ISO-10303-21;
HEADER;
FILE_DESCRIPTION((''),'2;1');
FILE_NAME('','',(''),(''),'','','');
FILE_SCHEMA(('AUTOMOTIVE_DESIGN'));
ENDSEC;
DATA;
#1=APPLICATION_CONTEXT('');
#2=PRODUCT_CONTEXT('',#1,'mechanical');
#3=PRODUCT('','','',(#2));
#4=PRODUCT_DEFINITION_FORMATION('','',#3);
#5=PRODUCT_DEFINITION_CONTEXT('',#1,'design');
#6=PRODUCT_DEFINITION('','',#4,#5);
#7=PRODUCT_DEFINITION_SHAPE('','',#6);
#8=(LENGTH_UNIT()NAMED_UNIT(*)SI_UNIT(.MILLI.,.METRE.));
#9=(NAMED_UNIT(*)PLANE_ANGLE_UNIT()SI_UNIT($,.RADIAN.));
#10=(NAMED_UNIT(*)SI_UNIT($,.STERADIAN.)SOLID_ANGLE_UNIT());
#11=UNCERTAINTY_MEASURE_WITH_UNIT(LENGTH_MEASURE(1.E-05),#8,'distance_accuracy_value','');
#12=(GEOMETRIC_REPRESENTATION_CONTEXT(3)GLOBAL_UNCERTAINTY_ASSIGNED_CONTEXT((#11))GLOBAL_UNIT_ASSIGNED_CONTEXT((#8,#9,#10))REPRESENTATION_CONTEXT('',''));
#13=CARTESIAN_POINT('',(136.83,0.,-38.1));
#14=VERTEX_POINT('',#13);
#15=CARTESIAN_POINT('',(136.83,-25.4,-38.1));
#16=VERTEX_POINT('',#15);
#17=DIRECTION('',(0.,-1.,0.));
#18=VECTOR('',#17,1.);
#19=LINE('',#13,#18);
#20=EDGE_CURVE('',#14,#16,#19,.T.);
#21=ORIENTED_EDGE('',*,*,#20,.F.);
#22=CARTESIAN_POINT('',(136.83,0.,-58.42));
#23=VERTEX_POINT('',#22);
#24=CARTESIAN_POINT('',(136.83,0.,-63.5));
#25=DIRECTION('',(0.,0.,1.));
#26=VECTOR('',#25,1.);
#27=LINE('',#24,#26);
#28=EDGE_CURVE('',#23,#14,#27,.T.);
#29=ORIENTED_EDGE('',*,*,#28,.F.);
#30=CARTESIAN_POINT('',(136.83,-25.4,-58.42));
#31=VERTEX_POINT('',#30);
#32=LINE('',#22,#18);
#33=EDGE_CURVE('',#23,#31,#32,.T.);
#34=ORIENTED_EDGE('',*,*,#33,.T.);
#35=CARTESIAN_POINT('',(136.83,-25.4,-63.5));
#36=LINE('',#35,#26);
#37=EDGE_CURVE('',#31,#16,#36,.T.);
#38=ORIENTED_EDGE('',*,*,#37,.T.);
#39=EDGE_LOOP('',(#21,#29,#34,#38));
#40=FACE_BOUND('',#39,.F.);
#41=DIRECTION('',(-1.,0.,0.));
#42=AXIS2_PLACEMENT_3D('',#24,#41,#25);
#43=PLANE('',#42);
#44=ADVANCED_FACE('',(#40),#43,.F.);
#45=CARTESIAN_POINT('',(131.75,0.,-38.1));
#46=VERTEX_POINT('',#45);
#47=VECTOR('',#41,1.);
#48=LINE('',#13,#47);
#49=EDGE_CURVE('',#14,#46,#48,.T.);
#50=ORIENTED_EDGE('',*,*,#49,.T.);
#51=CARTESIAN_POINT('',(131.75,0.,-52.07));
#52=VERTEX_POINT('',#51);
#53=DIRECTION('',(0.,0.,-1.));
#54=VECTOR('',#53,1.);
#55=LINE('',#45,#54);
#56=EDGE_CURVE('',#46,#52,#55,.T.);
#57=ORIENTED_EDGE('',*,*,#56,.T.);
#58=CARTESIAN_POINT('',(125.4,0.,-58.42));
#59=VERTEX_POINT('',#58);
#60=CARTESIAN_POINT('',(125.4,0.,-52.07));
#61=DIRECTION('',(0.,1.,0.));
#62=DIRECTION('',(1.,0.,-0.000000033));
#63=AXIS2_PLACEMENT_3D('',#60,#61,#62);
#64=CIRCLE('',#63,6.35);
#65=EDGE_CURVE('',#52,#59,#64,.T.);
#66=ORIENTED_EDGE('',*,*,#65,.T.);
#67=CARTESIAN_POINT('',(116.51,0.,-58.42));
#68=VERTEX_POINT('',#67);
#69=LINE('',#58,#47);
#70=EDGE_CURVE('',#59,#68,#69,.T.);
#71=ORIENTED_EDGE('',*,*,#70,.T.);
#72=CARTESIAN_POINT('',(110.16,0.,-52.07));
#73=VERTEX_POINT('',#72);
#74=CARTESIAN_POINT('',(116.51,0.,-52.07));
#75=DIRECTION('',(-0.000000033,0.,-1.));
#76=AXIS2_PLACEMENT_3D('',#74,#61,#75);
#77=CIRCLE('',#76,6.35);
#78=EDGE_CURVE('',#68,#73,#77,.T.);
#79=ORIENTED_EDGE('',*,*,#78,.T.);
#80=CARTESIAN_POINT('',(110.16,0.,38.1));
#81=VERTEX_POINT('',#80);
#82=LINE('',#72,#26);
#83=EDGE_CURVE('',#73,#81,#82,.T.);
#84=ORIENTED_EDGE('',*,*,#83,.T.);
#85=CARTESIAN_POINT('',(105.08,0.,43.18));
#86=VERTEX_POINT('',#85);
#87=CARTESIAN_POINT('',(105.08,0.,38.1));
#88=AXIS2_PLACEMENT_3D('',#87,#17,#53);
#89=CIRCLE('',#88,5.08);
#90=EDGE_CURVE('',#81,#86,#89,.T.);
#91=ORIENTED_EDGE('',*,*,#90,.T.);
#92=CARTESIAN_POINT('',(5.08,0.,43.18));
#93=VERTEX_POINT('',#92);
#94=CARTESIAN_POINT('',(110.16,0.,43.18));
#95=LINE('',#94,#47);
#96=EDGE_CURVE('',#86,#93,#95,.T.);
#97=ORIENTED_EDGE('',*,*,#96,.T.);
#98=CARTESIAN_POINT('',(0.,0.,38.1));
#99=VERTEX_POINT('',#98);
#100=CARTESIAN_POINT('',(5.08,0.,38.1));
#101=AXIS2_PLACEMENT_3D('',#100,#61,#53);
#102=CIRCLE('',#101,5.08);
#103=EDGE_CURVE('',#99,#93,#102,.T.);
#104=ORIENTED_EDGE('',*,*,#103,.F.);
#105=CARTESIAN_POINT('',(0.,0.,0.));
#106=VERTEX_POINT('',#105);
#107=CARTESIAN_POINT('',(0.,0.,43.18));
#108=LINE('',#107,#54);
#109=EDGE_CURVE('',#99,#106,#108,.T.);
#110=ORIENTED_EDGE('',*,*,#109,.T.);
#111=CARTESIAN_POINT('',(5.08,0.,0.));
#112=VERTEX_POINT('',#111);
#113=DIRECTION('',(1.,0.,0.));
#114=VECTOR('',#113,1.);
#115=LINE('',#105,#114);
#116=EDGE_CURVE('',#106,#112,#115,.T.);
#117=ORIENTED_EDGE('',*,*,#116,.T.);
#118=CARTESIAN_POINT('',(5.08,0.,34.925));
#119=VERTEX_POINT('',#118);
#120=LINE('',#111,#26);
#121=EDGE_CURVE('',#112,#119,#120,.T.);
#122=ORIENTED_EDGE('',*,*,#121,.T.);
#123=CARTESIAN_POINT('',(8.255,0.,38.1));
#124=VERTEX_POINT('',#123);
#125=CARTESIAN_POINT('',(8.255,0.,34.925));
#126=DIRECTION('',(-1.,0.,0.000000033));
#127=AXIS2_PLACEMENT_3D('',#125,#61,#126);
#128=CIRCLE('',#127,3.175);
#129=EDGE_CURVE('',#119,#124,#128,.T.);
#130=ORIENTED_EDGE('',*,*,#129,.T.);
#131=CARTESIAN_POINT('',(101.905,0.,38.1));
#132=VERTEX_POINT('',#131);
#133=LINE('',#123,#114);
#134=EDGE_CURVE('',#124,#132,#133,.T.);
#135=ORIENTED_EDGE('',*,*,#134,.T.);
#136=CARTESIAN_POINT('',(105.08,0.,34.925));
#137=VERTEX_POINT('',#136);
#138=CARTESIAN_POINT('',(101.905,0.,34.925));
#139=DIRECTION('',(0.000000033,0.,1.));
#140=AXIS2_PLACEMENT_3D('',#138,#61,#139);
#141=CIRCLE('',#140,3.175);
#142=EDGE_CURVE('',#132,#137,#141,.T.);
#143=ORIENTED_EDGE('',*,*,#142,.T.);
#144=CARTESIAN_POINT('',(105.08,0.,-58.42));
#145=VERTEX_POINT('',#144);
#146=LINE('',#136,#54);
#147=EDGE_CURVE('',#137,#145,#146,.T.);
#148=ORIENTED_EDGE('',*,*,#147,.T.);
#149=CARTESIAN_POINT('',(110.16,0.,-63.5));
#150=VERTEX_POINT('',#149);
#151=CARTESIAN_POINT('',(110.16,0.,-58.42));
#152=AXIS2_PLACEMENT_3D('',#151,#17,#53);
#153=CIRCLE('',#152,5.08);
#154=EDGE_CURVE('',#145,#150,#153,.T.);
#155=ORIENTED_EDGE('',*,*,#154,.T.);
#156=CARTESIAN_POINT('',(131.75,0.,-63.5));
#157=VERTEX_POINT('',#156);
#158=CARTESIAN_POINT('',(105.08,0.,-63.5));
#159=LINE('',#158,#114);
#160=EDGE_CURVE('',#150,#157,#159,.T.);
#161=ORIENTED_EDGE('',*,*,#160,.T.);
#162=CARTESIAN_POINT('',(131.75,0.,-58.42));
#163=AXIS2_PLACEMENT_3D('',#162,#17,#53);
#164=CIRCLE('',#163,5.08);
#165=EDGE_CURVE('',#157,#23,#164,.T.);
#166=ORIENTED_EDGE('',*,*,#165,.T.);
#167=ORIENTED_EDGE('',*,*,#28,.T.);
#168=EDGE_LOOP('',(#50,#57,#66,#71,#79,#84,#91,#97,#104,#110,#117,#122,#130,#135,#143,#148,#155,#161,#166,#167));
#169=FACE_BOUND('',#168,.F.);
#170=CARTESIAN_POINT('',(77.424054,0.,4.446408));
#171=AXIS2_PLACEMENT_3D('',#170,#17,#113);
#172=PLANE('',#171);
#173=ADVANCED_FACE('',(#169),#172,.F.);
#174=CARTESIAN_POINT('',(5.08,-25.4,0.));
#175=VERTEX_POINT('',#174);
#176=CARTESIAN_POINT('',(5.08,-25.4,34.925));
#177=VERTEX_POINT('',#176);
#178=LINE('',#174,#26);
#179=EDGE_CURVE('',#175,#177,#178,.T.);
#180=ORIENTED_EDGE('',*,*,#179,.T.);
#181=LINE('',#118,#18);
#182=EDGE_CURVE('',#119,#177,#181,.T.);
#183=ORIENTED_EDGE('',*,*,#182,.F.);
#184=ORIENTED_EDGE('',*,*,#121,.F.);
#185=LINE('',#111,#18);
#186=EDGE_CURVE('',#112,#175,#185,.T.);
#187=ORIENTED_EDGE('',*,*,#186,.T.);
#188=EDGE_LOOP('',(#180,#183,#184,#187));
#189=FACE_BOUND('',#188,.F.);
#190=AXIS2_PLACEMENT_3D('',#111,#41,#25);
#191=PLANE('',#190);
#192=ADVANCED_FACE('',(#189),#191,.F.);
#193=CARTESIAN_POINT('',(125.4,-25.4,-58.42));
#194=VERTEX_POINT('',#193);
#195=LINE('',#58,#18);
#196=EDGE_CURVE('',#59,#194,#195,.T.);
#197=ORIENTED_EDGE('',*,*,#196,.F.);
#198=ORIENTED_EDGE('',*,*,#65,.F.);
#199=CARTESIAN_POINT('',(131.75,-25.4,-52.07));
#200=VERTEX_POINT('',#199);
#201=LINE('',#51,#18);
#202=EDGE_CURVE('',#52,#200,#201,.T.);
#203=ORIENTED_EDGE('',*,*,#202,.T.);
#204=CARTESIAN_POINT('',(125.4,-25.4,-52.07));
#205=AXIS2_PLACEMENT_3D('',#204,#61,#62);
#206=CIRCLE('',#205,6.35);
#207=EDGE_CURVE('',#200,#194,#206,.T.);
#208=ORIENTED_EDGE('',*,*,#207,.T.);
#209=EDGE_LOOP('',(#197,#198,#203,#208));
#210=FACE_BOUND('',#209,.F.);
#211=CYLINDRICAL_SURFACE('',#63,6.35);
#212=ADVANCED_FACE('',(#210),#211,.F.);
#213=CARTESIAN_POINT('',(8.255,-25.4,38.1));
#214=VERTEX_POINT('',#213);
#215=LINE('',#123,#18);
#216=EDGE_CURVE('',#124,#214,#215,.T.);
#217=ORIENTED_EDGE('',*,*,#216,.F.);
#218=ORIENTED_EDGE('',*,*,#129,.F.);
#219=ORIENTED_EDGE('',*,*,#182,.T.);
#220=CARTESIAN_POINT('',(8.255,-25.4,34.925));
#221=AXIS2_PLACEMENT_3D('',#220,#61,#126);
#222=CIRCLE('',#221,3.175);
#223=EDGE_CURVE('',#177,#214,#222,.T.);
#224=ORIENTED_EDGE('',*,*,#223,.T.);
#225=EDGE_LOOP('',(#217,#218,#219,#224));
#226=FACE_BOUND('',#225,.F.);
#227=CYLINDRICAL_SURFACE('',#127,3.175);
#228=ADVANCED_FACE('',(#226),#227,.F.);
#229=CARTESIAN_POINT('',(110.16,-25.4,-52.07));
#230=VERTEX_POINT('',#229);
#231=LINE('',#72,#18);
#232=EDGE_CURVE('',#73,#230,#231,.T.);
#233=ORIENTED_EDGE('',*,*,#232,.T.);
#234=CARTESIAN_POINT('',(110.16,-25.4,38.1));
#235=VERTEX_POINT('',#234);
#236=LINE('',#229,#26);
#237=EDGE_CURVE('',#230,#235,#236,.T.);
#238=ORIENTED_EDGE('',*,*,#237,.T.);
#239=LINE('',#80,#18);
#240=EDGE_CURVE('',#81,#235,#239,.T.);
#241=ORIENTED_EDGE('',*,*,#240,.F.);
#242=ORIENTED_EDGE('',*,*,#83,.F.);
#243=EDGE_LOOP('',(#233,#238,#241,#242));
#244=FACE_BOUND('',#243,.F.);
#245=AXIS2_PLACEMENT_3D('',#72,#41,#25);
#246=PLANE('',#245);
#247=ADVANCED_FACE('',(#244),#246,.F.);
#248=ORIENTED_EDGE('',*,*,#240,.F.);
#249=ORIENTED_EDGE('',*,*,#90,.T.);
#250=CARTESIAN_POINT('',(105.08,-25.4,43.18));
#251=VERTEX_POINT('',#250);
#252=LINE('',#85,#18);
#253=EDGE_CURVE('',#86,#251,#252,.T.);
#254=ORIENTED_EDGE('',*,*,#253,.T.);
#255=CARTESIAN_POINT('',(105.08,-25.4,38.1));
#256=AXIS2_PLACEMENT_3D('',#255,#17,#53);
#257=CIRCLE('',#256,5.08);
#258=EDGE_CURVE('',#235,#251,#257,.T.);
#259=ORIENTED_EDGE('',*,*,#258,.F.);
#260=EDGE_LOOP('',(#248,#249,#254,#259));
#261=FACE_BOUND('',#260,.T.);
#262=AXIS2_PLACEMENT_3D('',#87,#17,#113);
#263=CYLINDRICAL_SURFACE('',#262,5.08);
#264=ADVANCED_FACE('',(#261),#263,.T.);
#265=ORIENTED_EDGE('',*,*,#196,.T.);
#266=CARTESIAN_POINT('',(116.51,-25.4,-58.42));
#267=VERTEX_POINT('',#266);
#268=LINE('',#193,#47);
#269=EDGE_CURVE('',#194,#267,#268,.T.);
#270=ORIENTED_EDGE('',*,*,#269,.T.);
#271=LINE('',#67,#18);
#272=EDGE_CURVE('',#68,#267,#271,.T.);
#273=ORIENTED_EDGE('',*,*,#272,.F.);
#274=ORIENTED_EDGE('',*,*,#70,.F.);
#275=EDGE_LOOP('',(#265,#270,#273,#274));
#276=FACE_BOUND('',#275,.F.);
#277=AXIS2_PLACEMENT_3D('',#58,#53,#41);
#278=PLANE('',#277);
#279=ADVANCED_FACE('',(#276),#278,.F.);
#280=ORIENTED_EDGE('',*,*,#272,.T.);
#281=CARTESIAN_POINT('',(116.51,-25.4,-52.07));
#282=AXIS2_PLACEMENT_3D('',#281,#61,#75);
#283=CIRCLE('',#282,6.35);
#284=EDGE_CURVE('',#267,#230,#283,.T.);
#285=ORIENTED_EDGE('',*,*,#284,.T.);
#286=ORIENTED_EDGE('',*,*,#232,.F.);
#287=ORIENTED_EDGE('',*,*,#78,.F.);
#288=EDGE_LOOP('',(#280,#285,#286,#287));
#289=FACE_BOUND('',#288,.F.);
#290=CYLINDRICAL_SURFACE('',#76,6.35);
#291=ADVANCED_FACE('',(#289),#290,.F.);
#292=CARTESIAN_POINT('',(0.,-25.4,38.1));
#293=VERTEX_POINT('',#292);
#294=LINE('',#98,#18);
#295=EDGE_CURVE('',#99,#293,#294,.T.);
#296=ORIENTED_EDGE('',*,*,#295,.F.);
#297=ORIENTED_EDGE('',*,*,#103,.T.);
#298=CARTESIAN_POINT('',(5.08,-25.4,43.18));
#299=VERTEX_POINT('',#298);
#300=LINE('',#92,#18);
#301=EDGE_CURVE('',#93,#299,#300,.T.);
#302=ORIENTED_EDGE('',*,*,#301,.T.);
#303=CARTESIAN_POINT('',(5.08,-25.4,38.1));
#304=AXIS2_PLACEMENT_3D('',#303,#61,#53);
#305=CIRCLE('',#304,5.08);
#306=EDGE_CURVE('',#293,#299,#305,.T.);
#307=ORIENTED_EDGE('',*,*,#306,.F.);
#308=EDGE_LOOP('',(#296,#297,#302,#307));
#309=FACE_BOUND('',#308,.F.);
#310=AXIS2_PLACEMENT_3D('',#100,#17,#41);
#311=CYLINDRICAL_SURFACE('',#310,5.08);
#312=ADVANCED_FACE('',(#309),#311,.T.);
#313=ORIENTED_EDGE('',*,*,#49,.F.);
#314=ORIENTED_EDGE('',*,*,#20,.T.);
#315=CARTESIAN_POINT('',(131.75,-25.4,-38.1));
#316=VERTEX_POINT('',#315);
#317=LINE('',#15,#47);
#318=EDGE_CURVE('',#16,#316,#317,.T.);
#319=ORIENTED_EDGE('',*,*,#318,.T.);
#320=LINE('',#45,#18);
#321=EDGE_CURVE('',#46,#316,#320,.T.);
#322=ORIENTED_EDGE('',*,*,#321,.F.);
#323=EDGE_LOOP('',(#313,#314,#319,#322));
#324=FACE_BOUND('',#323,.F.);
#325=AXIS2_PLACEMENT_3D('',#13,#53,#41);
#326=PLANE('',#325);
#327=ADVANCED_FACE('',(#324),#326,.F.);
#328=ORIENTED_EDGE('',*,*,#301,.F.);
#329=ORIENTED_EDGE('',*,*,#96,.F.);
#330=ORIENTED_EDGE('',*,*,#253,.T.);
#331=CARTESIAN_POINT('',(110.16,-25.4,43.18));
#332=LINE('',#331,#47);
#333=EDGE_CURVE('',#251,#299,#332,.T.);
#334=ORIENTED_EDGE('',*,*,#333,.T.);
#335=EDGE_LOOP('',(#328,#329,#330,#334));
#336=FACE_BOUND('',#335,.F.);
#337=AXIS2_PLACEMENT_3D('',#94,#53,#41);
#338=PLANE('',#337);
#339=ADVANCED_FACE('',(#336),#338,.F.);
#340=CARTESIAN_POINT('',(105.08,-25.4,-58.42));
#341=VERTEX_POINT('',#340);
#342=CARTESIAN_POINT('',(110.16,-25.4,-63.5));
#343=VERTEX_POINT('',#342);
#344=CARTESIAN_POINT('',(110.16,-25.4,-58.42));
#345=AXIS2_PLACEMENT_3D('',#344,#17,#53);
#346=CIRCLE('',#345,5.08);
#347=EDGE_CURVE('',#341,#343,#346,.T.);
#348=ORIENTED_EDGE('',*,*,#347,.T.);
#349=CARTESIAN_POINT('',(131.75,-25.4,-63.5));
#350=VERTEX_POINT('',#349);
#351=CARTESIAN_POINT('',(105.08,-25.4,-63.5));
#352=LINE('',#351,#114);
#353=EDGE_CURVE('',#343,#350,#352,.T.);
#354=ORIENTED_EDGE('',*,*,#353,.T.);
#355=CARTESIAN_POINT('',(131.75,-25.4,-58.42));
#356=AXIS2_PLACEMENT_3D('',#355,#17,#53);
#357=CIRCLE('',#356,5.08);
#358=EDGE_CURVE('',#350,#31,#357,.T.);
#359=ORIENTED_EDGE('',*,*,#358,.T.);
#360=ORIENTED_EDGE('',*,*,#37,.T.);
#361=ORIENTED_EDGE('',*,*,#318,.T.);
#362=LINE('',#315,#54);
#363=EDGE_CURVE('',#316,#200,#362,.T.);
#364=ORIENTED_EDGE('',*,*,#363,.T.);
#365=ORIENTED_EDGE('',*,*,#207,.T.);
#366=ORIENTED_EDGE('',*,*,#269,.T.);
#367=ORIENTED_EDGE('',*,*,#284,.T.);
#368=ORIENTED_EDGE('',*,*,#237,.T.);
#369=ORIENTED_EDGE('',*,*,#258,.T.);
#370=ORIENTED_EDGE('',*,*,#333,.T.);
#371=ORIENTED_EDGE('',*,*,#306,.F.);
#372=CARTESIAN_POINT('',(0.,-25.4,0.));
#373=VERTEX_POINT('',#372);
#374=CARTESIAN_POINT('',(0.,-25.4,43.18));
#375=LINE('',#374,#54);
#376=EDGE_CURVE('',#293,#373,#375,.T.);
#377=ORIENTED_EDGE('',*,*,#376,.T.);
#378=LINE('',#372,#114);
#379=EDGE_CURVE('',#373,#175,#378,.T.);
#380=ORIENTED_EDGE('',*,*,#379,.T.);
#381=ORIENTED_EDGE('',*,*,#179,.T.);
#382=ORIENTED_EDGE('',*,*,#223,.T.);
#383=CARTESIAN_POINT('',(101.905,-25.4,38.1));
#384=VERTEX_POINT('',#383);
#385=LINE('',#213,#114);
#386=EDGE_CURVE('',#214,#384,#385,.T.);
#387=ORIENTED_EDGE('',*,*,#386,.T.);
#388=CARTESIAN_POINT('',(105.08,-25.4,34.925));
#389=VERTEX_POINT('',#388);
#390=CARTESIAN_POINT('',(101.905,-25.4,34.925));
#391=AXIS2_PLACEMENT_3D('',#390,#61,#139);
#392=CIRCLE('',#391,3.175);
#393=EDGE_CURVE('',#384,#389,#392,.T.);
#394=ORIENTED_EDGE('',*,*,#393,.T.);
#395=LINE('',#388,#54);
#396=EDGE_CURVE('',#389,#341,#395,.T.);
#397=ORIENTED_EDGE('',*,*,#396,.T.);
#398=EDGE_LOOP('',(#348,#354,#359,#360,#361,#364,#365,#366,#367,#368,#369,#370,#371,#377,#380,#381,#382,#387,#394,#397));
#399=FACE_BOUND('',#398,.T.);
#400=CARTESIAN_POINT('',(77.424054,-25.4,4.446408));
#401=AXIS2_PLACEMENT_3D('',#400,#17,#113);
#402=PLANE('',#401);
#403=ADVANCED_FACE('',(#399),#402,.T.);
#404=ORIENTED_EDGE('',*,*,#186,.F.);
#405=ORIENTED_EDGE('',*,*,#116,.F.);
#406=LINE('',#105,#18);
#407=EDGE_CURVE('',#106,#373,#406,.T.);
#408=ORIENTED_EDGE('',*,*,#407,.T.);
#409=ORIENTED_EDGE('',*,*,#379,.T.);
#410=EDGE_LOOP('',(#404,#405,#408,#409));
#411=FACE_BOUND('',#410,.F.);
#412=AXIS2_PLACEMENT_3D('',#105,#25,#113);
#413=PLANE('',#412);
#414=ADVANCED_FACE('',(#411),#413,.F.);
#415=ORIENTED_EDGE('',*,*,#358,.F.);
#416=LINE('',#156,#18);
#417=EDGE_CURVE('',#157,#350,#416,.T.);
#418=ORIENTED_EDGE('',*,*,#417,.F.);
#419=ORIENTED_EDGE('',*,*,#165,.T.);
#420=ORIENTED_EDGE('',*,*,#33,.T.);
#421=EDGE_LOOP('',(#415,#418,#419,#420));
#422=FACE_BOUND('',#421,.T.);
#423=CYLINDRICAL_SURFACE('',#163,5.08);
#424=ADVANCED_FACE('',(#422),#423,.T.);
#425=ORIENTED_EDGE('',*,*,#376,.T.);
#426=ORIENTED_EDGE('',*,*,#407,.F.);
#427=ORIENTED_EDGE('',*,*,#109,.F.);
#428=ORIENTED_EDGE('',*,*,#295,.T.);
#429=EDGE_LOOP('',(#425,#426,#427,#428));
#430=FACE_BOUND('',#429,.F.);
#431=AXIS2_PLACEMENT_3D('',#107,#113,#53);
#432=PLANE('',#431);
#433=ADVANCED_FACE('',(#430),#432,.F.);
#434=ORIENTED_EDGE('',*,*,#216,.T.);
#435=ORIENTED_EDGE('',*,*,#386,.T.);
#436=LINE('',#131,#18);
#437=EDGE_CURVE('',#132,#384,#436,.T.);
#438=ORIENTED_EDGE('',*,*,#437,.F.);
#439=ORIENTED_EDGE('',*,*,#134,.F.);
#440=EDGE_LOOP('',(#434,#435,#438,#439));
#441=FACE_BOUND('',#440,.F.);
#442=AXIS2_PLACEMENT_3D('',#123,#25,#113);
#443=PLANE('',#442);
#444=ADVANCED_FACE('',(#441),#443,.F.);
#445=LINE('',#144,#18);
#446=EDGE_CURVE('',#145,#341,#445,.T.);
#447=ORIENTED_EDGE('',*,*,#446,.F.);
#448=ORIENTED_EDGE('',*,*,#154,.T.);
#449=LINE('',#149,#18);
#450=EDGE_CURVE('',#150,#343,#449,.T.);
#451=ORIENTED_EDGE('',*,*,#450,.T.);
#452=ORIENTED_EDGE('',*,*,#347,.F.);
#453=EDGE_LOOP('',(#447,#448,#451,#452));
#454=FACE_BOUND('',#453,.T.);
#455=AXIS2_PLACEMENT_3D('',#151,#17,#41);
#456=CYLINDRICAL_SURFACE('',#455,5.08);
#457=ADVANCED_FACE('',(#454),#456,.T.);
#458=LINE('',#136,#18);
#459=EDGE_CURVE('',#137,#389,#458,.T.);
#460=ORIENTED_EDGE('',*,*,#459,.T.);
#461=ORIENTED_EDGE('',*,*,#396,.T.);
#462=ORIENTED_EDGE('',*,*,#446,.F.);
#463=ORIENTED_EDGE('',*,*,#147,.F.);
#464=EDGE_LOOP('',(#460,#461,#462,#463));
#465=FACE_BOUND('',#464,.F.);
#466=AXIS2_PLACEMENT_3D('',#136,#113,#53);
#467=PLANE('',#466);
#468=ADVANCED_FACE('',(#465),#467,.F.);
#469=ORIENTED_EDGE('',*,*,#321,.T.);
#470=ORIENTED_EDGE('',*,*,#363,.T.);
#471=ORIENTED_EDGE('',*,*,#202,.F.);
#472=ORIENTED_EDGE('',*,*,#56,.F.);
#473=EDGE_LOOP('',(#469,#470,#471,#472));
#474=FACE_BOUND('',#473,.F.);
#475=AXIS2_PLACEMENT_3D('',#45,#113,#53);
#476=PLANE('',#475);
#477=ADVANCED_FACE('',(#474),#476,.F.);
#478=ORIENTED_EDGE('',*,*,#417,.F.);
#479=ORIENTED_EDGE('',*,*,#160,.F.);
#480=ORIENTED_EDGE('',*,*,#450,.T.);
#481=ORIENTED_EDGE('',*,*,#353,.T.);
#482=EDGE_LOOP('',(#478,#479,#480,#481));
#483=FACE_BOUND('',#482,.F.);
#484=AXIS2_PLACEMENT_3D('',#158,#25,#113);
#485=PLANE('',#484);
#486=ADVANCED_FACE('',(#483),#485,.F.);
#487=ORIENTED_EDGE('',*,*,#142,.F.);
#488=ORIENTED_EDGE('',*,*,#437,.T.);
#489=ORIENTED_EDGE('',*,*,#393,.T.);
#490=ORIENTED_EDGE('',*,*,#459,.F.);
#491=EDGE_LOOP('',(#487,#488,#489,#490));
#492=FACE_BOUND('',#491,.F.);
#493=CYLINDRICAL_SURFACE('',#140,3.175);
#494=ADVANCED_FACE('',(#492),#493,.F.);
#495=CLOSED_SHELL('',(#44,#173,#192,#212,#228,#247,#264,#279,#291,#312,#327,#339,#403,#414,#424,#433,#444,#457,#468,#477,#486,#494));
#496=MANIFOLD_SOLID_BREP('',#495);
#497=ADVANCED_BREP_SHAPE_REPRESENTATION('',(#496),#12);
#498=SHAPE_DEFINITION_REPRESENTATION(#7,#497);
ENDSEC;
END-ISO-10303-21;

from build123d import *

# Parameters (mm, degrees)
F1_DEPTH = 25.4
F2_R     = 5.08


with BuildPart() as f1:
    # F0 (on Front) → F1 (new body)
    with BuildSketch(Plane.XZ):
        with BuildLine():
            Line((0, 43.18), (0, 0))
            Line((0, 0), (5.08, 0))
            Line((5.08, 0), (5.08, 34.925))
            ThreePointArc((5.08, 34.925), (6.009936, 37.170064), (8.255, 38.1))
            Line((8.255, 38.1), (101.905, 38.1))
            ThreePointArc((101.905, 38.1), (104.150064, 37.170064), (105.08, 34.925))
            Line((105.08, 34.925), (105.08, -63.5))
            Line((105.08, -63.5), (136.83, -63.5))
            Line((136.83, -63.5), (136.83, -38.1))
            Line((136.83, -38.1), (131.75, -38.1))
            Line((131.75, -38.1), (131.75, -52.07))
            ThreePointArc((131.75, -52.07), (129.890128, -56.560128), (125.4, -58.42))
            Line((125.4, -58.42), (116.51, -58.42))
            ThreePointArc((116.51, -58.42), (112.019872, -56.560128), (110.16, -52.07))
            Line((110.16, -52.07), (110.16, 43.18))
            Line((110.16, 43.18), (0, 43.18))
        make_face()
    extrude(amount=F1_DEPTH)

    # F2
    f2_edges = [f1.edges().sort_by_distance(p)[0] for p in [
        (0, -12.7, 43.18),
        (110.16, -12.7, 43.18),
        (136.83, -12.7, -63.5),
        (105.08, -12.7, -63.5),
    ]]
    fillet(f2_edges, radius=F2_R)


solid = f1.part
